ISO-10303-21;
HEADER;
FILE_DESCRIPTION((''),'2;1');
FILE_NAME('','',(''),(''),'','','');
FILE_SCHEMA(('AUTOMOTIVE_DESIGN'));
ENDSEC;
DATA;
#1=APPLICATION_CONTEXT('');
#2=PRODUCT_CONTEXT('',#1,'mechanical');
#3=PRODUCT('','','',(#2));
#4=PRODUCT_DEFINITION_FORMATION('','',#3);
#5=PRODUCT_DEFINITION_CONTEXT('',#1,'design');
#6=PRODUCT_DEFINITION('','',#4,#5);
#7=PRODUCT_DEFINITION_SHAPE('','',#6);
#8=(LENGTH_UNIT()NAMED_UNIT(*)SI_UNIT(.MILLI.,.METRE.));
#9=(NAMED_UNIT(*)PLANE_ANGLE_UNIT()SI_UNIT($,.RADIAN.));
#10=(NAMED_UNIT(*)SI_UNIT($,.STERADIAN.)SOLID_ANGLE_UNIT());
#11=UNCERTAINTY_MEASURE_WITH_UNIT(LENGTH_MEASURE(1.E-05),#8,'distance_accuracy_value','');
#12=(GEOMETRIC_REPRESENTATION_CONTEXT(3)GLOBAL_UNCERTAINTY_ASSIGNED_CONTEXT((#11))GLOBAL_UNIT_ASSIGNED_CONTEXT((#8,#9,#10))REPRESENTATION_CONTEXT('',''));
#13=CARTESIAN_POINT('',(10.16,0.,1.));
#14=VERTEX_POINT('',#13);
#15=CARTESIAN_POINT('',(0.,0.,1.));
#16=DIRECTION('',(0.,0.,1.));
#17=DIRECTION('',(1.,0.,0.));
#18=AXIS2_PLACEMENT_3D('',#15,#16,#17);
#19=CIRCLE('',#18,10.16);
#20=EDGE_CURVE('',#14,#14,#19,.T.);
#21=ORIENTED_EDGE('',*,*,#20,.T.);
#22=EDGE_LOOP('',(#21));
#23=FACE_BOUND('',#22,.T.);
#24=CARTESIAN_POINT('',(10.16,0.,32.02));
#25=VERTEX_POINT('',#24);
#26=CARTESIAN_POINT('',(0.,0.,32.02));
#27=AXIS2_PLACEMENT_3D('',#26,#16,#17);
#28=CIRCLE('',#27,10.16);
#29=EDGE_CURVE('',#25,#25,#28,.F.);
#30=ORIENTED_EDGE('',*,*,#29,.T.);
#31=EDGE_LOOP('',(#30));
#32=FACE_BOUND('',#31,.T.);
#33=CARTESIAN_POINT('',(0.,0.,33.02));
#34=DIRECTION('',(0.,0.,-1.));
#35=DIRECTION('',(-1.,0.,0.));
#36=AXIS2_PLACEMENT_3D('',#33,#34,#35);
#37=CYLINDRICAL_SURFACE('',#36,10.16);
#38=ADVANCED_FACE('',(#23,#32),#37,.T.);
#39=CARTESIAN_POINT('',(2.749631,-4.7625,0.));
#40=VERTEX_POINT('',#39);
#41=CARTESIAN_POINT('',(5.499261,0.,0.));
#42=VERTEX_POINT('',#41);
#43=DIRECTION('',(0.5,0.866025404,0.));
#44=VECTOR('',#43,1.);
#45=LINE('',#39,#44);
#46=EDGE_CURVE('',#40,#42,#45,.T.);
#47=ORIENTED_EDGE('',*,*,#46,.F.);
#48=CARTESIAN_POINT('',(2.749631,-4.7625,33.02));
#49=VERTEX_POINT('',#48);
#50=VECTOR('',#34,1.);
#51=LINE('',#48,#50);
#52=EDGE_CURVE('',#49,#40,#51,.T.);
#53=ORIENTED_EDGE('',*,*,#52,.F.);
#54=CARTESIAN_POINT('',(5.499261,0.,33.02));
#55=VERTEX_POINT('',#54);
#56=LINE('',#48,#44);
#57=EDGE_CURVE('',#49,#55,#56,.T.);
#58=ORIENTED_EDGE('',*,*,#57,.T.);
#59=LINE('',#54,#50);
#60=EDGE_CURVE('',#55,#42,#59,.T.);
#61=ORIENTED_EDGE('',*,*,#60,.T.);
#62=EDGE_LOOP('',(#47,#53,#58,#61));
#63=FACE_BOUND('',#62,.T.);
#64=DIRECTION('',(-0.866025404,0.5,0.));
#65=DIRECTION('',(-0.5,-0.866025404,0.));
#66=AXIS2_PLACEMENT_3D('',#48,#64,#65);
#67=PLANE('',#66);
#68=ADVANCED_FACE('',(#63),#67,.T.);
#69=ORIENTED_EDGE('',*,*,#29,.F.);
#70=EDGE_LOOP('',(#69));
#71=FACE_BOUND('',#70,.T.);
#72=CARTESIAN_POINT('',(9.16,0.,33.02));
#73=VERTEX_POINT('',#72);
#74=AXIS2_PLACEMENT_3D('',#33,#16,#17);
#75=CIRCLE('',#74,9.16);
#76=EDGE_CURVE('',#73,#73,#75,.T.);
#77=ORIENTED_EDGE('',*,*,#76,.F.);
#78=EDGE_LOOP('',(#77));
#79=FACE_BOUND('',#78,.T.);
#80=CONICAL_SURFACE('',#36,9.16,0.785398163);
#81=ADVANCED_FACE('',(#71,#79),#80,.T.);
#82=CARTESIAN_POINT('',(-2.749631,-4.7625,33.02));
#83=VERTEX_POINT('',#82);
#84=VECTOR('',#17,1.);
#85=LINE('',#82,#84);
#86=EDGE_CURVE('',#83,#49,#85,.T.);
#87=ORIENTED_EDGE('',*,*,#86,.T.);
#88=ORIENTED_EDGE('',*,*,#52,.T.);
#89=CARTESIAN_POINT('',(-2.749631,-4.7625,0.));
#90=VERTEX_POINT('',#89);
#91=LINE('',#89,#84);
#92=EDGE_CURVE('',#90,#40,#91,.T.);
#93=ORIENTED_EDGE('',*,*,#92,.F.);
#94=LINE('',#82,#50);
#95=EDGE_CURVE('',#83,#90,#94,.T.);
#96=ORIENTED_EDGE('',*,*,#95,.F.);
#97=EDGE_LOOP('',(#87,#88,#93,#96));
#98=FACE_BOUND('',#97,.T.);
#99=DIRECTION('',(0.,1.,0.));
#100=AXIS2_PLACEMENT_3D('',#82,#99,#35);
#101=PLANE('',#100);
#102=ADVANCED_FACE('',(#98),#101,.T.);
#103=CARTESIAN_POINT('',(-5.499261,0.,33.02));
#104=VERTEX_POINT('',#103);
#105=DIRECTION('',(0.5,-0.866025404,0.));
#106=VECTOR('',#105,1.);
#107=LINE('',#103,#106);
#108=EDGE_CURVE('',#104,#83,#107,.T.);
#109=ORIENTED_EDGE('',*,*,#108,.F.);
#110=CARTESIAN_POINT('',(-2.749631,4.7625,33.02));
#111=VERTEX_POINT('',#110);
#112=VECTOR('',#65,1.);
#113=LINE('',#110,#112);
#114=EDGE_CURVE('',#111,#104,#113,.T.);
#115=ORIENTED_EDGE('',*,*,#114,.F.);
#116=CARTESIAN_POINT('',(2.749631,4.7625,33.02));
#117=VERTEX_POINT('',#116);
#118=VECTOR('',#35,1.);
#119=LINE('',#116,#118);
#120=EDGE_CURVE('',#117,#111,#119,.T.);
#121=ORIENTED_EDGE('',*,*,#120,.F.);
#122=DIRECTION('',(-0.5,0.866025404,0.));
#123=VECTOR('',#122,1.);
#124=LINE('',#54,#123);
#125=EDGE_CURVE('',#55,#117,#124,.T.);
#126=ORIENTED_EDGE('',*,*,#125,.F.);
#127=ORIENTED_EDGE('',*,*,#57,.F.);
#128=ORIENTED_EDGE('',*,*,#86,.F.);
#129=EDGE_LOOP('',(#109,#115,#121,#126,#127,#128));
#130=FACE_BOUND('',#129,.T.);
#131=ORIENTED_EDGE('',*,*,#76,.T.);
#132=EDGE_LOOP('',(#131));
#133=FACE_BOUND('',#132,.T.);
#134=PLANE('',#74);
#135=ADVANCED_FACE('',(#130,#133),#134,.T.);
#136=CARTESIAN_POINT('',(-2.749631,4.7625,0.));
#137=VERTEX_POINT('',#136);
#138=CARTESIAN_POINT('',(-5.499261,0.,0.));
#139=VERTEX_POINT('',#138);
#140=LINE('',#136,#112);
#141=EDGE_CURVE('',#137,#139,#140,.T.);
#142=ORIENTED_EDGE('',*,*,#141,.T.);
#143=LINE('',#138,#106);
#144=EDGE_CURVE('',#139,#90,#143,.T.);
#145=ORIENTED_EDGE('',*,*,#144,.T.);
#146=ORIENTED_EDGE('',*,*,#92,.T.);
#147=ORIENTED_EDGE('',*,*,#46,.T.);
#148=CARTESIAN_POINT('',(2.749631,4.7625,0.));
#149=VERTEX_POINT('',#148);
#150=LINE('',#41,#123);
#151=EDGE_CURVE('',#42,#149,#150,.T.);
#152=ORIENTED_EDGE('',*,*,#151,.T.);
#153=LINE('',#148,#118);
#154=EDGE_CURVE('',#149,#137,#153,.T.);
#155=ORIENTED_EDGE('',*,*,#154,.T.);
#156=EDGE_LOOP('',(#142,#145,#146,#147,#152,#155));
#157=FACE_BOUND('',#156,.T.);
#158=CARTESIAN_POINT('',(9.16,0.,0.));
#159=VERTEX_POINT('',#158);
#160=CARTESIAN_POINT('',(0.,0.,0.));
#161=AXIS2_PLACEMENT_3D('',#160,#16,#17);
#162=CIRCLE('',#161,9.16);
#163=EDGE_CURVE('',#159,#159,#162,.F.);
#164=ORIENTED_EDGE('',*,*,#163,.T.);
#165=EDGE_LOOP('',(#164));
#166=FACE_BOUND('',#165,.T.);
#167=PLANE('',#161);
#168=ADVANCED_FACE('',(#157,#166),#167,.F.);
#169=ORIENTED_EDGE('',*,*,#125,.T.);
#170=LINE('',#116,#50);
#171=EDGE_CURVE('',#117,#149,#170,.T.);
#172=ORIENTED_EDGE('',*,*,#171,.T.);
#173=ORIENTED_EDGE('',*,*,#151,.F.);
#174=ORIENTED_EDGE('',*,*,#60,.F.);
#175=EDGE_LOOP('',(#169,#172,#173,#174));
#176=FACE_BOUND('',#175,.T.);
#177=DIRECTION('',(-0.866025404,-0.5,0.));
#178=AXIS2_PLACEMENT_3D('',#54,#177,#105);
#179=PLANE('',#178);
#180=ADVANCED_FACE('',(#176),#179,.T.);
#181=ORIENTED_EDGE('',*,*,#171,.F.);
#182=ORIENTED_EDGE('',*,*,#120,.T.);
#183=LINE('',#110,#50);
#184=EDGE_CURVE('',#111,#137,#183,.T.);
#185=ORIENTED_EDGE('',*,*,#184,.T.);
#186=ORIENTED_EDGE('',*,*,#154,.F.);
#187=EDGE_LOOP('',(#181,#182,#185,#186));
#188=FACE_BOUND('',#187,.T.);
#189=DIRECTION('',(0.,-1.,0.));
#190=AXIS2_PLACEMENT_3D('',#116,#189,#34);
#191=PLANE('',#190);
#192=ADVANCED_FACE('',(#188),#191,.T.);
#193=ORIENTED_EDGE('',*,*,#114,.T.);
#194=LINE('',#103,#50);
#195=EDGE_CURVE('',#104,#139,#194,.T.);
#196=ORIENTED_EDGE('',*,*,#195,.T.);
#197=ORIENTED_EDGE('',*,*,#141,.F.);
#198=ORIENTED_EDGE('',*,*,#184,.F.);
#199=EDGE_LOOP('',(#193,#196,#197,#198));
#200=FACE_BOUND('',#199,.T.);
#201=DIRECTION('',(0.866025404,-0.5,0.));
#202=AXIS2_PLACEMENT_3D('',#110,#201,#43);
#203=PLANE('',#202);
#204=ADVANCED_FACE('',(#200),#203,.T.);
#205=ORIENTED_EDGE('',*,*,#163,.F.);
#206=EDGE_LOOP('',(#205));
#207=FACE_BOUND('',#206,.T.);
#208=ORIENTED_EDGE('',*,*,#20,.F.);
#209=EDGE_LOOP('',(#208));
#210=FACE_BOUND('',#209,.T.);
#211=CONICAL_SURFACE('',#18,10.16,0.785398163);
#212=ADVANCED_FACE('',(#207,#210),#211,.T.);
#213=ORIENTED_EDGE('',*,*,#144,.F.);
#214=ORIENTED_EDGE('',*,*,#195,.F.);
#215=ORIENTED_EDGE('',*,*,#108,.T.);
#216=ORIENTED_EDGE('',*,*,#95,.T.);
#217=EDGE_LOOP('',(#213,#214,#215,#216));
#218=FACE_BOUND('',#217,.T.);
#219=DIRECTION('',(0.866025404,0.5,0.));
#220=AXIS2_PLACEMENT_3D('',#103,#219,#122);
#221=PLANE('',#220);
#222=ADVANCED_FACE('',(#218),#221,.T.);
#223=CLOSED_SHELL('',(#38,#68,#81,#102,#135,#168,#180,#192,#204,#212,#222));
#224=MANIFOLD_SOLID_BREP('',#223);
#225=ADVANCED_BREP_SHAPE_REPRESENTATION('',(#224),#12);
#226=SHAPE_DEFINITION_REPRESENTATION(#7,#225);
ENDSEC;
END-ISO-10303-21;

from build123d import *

# Parameters (mm, degrees)
SKETCH1_R           = 10.16
BOSS_EXTRUDE1_DEPTH = 33.02
CHAMFER1_SIZE       = 1


with BuildPart() as part:
    # Sketch1 → Boss-Extrude1 (new body)
    with BuildSketch(Plane.XY):
        Circle(SKETCH1_R)
        Polygon((5.499261314, 0), (2.749630657, 4.7625), (-2.749630657, 4.7625), (-5.499261314, 0), (-2.749630657, -4.7625), (2.749630657, -4.7625), align=None, mode=Mode.SUBTRACT)
    extrude(amount=BOSS_EXTRUDE1_DEPTH)

    # Chamfer1
    chamfer1_edges = [part.edges().sort_by_distance(p)[0] for p in [
        (-10.16, 0, 0),
        (-10.16, 0, 33.02),
    ]]
    chamfer(chamfer1_edges, length=CHAMFER1_SIZE)


solid = part.part
